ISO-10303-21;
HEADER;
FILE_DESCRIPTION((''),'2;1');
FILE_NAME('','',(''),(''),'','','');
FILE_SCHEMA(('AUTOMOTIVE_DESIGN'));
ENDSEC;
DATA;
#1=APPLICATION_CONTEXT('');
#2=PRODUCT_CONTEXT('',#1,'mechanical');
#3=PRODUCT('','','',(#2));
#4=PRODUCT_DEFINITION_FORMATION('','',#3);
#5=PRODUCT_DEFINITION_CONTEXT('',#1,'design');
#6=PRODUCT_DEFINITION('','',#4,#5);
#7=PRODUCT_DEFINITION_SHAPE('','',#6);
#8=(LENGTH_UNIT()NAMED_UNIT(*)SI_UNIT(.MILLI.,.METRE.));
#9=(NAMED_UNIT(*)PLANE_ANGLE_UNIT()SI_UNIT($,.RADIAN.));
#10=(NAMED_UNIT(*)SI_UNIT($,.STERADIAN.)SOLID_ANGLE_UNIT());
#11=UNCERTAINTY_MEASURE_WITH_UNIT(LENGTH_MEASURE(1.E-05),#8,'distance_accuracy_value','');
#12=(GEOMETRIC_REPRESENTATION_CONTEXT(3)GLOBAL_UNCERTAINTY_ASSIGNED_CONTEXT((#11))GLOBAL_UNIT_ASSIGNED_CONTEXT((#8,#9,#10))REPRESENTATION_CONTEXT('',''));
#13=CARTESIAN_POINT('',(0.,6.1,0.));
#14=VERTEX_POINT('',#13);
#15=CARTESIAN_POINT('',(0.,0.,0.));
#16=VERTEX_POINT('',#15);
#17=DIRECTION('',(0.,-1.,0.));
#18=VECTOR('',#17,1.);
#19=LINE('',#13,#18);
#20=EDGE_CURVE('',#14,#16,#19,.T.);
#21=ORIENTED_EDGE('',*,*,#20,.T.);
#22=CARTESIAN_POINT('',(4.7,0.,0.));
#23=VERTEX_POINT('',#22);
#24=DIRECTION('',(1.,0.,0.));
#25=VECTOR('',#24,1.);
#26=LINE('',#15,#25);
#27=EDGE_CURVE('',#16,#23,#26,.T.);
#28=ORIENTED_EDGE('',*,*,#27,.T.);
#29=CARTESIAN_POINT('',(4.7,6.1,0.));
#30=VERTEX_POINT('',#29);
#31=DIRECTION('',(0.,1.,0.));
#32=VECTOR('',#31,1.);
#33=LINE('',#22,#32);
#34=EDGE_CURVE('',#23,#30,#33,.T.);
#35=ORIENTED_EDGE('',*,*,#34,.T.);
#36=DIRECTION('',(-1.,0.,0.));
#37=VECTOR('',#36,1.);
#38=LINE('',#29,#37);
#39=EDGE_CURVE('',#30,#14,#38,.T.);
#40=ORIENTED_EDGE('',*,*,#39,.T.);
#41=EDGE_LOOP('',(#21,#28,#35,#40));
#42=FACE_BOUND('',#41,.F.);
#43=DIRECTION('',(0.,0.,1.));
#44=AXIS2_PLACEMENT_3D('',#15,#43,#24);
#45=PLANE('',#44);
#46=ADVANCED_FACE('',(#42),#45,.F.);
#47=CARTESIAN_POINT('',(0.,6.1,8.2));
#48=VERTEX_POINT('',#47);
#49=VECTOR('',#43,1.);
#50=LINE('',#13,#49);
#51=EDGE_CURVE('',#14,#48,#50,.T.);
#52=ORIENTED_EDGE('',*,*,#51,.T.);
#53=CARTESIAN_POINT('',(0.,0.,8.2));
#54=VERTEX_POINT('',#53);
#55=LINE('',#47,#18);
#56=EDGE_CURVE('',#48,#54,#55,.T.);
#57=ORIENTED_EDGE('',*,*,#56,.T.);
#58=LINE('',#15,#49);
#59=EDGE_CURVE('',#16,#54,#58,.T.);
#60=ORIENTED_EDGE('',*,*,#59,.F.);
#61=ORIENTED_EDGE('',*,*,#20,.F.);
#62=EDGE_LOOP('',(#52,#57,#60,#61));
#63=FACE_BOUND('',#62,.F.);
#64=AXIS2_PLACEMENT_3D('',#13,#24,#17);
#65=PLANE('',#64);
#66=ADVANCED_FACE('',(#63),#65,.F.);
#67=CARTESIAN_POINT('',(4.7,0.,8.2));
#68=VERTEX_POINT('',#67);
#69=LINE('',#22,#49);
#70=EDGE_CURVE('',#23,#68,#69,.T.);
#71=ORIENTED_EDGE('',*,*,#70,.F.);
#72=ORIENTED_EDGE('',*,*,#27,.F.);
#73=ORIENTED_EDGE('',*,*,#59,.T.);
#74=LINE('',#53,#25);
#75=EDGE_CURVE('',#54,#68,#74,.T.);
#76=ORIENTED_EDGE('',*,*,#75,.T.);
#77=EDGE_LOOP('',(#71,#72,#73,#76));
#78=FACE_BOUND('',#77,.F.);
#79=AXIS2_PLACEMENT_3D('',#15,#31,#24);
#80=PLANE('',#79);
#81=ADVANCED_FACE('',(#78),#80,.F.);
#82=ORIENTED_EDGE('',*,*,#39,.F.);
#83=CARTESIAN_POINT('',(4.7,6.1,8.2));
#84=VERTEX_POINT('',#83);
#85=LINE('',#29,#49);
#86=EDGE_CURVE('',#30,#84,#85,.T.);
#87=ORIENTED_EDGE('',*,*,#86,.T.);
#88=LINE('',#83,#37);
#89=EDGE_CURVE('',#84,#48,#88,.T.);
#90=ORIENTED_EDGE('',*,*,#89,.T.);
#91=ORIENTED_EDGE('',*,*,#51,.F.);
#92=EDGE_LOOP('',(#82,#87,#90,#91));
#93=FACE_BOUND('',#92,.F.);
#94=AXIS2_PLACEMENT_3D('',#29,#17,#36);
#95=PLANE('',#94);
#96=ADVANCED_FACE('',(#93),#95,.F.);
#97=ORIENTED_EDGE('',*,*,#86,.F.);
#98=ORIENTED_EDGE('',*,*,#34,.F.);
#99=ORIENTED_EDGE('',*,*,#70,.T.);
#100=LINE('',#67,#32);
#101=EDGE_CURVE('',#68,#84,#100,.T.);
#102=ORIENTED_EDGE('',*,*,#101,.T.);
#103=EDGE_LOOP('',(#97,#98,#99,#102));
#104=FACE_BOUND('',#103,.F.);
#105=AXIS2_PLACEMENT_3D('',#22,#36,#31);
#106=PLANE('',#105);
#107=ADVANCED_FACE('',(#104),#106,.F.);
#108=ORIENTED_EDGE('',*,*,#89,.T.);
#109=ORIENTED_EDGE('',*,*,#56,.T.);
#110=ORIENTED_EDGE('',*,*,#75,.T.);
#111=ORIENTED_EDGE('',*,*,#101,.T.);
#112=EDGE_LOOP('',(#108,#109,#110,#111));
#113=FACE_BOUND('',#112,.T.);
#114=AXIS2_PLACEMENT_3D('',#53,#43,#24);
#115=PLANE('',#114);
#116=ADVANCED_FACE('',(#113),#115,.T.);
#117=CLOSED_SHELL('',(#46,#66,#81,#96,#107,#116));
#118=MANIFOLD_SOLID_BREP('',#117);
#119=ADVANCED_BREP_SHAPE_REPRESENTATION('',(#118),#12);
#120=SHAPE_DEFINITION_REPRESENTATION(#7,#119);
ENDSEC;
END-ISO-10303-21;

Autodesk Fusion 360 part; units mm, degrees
sketch "Sketch1" plane through (0, 0, 0) normal (0, 0, 1) x (1, 0, 0)
  line L0 (0, 0) -> (4.7, 0)
  line L1 (4.7, 0) -> (4.7, 6.1)
  line L2 (4.7, 6.1) -> (0, 6.1)
  line L3 (0, 6.1) -> (0, 0)
  dimension "d1" = 4.7
  dimension "d2" = 6.1
extrude "Extrude1" add sketch "Sketch1" along normal blind 8.2
